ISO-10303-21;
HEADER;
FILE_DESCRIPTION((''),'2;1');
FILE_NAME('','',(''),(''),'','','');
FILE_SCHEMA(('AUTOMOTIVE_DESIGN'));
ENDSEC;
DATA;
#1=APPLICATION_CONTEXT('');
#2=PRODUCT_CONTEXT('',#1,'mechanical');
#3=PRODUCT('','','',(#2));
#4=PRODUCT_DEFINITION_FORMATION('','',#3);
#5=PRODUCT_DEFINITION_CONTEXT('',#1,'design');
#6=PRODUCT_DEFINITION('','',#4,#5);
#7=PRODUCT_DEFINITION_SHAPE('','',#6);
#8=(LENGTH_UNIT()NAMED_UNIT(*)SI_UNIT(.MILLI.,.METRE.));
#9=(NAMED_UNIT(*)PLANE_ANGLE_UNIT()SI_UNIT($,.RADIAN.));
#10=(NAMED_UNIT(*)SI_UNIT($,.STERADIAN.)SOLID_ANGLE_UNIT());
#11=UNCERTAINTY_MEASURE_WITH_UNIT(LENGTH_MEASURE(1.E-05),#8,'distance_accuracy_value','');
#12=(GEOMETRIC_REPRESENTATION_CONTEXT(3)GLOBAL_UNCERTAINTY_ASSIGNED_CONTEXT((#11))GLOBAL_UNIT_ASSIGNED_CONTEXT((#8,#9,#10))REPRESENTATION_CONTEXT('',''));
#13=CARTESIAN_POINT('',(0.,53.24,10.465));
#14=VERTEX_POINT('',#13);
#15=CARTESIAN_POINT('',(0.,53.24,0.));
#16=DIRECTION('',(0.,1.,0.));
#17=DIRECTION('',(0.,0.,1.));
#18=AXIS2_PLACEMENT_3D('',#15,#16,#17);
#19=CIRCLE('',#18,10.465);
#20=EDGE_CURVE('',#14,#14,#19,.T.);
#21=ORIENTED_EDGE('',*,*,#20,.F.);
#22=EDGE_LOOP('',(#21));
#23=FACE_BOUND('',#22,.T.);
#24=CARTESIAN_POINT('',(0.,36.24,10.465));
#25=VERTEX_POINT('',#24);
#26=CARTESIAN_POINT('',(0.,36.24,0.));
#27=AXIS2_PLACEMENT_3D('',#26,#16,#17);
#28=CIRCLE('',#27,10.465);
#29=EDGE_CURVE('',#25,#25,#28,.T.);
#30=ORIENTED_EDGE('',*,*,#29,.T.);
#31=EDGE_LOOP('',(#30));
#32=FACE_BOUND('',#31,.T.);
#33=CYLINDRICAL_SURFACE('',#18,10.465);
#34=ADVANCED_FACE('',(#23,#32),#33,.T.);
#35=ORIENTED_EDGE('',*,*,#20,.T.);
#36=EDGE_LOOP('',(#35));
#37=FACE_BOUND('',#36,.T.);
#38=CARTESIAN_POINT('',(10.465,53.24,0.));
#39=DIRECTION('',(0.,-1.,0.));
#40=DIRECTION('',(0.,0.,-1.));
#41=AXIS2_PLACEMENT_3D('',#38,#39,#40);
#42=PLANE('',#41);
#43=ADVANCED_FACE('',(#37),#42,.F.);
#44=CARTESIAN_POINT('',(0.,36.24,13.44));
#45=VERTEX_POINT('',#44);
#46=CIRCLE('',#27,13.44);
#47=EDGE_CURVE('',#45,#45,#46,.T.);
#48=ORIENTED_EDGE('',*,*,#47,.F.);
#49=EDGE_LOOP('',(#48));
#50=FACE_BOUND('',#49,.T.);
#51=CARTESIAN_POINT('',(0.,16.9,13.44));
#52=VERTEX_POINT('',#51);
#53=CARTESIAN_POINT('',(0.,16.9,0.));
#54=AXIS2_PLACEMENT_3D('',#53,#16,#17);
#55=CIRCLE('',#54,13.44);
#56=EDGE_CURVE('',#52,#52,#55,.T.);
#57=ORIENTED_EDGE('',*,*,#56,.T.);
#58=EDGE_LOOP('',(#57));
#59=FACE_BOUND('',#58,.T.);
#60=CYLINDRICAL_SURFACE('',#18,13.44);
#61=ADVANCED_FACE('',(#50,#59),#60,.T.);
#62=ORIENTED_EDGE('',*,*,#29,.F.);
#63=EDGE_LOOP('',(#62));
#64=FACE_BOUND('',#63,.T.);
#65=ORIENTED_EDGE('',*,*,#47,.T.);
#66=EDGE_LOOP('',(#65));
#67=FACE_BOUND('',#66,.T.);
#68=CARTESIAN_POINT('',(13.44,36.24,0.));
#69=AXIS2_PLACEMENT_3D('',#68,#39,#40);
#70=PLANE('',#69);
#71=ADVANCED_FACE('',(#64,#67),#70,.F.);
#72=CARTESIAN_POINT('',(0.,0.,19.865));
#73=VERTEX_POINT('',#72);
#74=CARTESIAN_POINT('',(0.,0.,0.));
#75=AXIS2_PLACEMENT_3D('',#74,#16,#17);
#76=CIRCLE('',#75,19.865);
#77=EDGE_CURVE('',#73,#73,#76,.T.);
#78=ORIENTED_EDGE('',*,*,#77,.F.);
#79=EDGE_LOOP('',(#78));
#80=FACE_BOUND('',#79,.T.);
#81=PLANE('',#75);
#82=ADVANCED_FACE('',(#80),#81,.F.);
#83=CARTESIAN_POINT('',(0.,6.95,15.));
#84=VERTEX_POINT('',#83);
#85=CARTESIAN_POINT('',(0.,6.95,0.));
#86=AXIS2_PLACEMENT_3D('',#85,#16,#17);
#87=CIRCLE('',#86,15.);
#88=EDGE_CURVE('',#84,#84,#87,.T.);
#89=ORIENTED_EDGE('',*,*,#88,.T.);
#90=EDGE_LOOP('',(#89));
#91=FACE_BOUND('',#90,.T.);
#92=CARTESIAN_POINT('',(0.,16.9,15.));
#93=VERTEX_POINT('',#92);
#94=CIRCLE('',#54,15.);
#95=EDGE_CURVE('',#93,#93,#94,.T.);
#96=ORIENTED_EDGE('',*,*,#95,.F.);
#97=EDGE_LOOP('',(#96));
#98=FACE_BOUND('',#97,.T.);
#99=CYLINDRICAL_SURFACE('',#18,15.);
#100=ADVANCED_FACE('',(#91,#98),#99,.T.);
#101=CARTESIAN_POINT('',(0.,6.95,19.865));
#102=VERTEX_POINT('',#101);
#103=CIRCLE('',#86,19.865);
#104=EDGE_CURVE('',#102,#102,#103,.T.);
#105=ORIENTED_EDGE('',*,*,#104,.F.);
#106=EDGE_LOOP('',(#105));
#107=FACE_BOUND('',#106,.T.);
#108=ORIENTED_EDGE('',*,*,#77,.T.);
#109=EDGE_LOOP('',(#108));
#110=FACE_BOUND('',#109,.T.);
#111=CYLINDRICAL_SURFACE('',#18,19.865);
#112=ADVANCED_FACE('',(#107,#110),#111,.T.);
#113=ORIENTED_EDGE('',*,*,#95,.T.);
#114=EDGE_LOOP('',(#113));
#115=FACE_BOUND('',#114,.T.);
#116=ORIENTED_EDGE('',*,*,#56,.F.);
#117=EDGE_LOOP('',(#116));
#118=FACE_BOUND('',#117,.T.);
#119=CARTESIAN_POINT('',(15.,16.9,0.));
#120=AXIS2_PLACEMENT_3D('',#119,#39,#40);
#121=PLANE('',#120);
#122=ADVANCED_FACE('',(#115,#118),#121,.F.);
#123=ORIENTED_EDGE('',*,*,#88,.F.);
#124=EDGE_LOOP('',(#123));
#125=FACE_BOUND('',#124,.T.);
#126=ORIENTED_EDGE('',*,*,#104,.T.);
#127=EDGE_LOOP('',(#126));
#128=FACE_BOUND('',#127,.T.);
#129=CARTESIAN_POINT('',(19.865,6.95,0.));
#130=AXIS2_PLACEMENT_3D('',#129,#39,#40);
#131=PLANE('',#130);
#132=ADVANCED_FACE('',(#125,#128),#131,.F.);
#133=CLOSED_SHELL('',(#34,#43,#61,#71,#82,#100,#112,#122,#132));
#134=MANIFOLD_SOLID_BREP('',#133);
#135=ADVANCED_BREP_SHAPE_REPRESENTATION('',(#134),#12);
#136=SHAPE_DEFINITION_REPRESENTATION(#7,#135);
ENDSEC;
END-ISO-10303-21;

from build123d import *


with BuildPart() as part:
    # Esquisse1 → Révolution1 (revolve)
    with BuildSketch(Plane.XY, mode=Mode.PRIVATE) as r_volution1_sk:
        Polygon((0, 0), (19.865, 0), (19.865, 6.95), (15, 6.95), (15, 16.9), (13.44, 16.9), (13.44, 36.24), (10.465, 36.24), (10.465, 53.24), (0, 53.24), align=None)
    revolve(r_volution1_sk.sketch.rotate(Axis((0, 53.24, 0), (0, -1, 0)), 90), axis=Axis((0, 53.24, 0), (0, -1, 0)))


solid = part.part
